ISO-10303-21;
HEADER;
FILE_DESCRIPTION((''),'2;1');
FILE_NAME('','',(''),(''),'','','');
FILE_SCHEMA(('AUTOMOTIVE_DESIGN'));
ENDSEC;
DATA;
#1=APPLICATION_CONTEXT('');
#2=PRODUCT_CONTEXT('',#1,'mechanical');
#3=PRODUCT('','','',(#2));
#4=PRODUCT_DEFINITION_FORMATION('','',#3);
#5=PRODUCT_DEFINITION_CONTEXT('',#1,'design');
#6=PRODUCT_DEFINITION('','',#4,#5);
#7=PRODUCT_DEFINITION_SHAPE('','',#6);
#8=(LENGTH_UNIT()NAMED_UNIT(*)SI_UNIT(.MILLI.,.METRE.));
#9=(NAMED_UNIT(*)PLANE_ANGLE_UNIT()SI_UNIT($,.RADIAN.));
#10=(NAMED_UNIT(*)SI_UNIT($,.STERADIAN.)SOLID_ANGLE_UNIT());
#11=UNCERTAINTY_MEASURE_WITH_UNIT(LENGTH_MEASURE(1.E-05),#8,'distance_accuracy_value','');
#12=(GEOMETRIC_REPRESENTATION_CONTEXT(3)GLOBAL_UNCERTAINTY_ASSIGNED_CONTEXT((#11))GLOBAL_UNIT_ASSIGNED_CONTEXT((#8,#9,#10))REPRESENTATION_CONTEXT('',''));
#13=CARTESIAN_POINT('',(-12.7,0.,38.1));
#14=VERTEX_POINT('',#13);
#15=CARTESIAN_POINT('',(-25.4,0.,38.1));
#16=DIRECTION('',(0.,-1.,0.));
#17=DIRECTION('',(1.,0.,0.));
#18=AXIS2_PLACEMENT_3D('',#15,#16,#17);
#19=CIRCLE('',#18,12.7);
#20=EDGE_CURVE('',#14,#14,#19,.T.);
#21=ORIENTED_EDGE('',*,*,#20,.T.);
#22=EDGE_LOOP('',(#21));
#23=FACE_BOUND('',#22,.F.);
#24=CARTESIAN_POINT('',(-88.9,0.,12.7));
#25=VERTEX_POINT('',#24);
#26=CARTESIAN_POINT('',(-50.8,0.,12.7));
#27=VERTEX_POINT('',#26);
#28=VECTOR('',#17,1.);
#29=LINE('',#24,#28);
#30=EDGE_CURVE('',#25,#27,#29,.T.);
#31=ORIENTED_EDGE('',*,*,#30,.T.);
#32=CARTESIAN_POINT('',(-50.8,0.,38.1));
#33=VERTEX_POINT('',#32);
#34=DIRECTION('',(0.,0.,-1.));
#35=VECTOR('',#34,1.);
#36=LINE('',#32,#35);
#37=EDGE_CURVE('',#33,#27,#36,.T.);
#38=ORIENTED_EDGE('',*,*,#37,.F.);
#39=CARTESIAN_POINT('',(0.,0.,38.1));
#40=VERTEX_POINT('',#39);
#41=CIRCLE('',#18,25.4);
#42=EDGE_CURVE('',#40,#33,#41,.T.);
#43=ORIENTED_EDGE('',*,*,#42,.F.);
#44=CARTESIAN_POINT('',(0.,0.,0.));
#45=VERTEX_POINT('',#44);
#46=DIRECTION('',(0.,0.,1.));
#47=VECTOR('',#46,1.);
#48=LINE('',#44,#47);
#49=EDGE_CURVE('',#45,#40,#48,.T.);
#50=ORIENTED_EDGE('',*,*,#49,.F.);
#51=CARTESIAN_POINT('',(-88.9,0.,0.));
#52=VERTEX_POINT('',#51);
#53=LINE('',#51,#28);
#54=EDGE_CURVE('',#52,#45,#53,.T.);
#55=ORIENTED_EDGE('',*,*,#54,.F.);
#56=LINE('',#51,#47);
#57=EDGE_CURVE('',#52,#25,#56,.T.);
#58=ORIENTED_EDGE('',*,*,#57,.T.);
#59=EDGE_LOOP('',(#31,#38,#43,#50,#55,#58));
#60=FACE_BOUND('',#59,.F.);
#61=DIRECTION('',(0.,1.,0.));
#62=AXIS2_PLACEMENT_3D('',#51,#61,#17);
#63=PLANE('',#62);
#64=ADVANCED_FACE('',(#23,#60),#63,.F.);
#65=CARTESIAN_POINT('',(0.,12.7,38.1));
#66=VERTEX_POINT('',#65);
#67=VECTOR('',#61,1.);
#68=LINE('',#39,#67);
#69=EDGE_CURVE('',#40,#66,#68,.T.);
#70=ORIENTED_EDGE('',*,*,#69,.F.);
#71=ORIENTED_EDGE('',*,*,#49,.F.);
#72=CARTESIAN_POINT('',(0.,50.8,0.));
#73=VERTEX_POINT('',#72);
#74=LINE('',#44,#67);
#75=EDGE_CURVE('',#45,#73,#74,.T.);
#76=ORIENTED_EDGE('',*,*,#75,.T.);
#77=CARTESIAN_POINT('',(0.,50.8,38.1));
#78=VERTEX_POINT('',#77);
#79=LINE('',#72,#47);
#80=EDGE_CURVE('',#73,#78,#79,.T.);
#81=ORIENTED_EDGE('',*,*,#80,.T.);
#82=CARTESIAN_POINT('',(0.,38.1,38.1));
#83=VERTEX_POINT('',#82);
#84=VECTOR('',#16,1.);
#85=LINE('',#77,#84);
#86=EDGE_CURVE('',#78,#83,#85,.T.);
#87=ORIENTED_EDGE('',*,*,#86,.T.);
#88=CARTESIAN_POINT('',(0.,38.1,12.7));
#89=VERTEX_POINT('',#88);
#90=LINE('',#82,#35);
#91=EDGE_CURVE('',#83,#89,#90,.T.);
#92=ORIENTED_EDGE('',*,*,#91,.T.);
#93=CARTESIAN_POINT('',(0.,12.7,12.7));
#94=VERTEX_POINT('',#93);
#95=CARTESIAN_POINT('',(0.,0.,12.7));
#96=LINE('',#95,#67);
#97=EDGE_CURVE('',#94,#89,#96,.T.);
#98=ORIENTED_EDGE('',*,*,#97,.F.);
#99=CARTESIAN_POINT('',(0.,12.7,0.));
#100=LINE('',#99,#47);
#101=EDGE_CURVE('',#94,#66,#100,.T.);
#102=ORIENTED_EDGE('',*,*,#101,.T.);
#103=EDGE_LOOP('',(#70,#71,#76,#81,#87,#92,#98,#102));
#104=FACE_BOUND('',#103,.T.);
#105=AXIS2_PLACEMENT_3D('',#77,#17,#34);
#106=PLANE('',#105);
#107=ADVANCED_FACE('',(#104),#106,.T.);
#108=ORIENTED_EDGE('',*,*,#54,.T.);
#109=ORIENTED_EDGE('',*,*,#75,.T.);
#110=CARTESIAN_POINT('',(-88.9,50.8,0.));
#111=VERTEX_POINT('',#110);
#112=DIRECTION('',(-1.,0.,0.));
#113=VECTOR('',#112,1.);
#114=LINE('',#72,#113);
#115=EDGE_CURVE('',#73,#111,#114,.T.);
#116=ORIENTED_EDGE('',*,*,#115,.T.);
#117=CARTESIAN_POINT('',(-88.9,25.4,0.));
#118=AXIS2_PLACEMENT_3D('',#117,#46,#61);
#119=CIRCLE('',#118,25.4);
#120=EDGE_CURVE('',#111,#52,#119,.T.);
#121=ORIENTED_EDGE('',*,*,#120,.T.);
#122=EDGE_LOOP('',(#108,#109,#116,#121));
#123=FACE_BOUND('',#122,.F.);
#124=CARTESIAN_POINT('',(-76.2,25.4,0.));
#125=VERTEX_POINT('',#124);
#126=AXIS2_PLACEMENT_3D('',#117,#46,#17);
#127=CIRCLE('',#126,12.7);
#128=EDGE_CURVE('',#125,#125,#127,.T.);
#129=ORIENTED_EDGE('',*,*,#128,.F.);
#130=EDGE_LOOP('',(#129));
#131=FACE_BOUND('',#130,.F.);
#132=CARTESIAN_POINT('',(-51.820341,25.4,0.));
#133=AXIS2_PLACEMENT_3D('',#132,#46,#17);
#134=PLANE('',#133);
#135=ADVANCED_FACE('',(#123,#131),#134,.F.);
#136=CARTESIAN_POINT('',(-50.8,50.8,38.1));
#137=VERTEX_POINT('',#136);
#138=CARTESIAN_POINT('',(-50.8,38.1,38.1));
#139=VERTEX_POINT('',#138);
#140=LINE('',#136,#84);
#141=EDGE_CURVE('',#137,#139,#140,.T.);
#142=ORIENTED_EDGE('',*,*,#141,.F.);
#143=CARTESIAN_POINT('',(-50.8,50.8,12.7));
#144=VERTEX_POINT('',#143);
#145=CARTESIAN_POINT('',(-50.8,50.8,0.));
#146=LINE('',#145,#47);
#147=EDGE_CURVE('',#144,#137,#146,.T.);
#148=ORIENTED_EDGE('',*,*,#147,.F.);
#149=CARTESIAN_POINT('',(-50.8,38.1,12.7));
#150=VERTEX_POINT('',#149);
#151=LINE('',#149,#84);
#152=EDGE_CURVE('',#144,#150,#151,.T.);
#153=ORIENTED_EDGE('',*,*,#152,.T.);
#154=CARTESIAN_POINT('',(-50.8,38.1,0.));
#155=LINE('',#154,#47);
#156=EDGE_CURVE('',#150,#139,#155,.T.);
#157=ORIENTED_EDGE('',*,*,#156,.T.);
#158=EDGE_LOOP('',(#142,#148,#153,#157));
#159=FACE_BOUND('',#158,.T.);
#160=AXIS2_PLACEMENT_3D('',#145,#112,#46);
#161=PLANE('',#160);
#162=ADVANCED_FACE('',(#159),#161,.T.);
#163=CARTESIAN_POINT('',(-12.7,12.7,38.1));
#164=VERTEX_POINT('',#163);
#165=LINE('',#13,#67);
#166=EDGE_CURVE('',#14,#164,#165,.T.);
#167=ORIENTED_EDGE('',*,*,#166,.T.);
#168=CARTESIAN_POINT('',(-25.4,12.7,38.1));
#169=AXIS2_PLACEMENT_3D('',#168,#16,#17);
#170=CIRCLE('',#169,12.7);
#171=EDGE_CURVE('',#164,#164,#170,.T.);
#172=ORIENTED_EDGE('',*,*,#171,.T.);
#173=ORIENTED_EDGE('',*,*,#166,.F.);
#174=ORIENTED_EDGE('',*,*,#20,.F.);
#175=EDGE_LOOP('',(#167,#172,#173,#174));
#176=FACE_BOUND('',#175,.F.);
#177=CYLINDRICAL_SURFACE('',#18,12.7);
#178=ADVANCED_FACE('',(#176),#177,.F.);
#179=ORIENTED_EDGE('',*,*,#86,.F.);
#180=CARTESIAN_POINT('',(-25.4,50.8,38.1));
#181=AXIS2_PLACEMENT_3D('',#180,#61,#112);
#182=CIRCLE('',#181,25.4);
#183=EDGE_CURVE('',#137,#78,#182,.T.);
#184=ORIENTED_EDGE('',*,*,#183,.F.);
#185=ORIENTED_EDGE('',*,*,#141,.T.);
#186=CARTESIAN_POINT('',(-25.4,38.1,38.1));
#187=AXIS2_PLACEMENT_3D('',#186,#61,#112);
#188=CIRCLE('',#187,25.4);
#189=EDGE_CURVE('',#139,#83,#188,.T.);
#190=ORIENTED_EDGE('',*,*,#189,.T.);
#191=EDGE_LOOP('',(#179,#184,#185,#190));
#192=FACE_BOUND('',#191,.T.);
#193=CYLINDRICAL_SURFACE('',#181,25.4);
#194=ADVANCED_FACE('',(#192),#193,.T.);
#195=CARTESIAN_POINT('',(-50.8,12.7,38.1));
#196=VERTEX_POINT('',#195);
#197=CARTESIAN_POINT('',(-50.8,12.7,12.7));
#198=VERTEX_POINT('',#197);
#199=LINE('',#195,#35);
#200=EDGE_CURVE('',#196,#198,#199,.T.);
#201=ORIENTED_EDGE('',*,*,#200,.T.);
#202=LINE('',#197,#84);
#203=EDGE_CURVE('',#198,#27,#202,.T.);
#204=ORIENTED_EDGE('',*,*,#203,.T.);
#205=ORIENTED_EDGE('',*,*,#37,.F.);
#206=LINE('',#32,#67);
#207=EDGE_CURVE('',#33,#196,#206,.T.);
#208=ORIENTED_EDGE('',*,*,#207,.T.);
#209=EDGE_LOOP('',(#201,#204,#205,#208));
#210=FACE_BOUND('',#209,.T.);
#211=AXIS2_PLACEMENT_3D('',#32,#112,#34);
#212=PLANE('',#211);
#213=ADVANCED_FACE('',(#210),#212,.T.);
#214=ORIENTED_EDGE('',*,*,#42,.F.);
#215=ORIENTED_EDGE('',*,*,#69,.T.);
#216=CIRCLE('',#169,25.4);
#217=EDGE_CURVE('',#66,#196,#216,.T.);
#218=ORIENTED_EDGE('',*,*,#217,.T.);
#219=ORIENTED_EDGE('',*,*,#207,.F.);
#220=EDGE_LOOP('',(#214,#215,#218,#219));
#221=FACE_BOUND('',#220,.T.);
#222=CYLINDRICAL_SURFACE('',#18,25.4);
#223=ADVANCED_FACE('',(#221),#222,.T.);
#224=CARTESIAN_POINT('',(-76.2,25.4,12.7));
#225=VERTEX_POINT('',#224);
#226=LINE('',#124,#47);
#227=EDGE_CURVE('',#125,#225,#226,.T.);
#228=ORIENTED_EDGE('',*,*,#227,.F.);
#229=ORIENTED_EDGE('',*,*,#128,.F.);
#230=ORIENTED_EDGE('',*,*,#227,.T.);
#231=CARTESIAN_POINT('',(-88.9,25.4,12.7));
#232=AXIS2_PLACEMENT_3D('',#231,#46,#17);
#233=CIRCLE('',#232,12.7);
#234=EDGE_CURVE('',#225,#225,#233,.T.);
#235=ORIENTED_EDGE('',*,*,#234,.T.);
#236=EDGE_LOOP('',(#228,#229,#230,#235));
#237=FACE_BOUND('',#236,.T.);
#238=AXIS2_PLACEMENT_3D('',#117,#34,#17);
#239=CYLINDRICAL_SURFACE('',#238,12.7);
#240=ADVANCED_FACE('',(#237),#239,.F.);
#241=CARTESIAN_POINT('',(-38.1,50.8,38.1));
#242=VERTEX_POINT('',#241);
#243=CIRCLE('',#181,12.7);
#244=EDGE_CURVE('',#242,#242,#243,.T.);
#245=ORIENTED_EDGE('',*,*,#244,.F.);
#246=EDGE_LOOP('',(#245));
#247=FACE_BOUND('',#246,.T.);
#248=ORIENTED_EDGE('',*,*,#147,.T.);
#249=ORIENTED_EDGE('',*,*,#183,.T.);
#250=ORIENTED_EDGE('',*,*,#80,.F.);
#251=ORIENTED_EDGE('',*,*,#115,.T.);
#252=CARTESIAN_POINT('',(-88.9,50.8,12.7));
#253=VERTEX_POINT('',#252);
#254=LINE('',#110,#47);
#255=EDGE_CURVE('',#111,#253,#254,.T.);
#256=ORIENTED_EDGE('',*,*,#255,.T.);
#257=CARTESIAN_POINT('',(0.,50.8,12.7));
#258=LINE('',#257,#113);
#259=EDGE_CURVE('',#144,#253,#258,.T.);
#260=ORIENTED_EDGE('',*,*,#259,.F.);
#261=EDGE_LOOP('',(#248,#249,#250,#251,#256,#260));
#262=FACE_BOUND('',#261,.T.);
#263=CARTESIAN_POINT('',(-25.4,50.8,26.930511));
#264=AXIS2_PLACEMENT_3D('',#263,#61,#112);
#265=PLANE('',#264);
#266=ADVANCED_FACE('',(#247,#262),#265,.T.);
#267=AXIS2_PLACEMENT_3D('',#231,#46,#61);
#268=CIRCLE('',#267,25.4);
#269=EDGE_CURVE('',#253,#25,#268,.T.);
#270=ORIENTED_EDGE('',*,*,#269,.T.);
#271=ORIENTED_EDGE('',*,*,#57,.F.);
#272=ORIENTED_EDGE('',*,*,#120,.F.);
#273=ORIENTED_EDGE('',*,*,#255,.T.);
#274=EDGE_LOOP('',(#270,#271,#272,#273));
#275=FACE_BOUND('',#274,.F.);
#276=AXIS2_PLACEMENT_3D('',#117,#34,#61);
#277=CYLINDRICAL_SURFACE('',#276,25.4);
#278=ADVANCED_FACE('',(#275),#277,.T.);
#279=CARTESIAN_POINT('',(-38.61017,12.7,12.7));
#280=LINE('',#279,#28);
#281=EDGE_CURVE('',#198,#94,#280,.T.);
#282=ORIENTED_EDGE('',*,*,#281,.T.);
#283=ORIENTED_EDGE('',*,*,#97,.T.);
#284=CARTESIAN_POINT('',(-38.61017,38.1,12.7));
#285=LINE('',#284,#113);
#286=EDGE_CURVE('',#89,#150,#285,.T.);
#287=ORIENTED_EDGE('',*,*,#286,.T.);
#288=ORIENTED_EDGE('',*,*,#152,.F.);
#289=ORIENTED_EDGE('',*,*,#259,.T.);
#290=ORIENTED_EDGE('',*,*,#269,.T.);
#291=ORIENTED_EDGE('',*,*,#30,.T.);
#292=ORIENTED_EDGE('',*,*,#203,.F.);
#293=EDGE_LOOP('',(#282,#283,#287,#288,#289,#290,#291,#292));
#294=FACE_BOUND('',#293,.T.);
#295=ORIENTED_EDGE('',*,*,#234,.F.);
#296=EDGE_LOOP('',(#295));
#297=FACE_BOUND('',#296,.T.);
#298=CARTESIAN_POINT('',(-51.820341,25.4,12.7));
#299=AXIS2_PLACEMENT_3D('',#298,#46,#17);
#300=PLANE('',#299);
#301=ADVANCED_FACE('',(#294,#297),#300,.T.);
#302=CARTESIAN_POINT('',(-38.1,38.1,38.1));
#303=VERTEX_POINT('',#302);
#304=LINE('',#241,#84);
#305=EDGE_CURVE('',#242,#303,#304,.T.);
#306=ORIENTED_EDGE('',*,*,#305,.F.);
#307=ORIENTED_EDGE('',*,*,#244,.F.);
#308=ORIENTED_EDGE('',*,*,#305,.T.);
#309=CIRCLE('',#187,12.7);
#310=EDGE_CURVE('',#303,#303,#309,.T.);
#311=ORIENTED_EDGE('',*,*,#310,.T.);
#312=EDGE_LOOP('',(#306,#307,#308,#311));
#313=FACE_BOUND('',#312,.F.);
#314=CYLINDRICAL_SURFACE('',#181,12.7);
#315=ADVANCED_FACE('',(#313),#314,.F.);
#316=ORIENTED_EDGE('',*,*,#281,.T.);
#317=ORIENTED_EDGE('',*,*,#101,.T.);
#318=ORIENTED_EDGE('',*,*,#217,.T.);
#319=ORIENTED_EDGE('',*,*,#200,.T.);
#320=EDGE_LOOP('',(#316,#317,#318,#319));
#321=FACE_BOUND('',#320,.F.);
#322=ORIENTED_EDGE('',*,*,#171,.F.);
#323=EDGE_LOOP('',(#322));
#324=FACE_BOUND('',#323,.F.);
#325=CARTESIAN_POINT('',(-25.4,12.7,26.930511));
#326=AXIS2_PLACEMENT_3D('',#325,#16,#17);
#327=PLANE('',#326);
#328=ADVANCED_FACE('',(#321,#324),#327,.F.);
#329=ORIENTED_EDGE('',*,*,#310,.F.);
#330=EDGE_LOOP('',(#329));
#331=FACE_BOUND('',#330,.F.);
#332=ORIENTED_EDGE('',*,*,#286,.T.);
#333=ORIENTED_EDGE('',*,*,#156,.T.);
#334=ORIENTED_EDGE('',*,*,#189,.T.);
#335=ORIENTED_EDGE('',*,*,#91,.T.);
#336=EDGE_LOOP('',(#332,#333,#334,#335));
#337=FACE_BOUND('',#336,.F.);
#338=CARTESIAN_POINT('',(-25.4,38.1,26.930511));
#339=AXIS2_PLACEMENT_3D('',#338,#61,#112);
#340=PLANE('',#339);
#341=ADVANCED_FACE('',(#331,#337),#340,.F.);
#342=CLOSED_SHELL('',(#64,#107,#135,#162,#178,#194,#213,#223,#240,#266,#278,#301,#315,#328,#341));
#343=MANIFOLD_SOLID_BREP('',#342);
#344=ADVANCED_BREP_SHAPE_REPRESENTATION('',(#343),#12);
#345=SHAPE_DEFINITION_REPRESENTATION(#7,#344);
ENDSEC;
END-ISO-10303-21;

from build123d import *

# Parameters (mm, degrees)
F0_R     = 12.7
F1_DEPTH = 12.7
F2_R     = 12.7
F3_DEPTH = 12.7
F4_R     = 12.7
F5_DEPTH = 12.7


with BuildPart() as f1:
    # F0 (on Top) → F1 (new body)
    with BuildSketch(Plane.XY):
        with BuildLine():
            Line((-88.9, 0), (0, 0))
            Line((0, 0), (0, 50.8))
            Line((0, 50.8), (-88.9, 50.8))
            ThreePointArc((-88.9, 50.8), (-114.3, 25.4), (-88.9, 0))
        make_face()
        with Locations((-88.9, 25.4)):
            Circle(F0_R, mode=Mode.SUBTRACT)
    extrude(amount=F1_DEPTH)

    # F2 (on face) → F3 (join)
    with BuildSketch(Plane.XZ):
        with BuildLine():
            Line((-50.8, 0), (0, 0))
            Line((0, 0), (0, 38.1))
            ThreePointArc((0, 38.1), (-25.4, 63.5), (-50.8, 38.1))
            Line((-50.8, 38.1), (-50.8, 0))
        make_face()
        with Locations((-25.4, 38.1)):
            Circle(F2_R, mode=Mode.SUBTRACT)
    extrude(amount=-F3_DEPTH)

    # F4 (on face) → F5 (join)
    with BuildSketch(Plane(origin=(0, 50.8, 0), x_dir=(-1, 0, 0), z_dir=(0, 1, 0))):
        with BuildLine():
            Line((0, 38.1), (0, 0))
            Line((0, 0), (50.8, 0))
            Line((50.8, 0), (50.8, 38.1))
            ThreePointArc((50.8, 38.1), (25.4, 63.5), (0, 38.1))
        make_face()
        with Locations((25.4, 38.1)):
            Circle(F4_R, mode=Mode.SUBTRACT)
    extrude(amount=-F5_DEPTH)


solid = f1.part
